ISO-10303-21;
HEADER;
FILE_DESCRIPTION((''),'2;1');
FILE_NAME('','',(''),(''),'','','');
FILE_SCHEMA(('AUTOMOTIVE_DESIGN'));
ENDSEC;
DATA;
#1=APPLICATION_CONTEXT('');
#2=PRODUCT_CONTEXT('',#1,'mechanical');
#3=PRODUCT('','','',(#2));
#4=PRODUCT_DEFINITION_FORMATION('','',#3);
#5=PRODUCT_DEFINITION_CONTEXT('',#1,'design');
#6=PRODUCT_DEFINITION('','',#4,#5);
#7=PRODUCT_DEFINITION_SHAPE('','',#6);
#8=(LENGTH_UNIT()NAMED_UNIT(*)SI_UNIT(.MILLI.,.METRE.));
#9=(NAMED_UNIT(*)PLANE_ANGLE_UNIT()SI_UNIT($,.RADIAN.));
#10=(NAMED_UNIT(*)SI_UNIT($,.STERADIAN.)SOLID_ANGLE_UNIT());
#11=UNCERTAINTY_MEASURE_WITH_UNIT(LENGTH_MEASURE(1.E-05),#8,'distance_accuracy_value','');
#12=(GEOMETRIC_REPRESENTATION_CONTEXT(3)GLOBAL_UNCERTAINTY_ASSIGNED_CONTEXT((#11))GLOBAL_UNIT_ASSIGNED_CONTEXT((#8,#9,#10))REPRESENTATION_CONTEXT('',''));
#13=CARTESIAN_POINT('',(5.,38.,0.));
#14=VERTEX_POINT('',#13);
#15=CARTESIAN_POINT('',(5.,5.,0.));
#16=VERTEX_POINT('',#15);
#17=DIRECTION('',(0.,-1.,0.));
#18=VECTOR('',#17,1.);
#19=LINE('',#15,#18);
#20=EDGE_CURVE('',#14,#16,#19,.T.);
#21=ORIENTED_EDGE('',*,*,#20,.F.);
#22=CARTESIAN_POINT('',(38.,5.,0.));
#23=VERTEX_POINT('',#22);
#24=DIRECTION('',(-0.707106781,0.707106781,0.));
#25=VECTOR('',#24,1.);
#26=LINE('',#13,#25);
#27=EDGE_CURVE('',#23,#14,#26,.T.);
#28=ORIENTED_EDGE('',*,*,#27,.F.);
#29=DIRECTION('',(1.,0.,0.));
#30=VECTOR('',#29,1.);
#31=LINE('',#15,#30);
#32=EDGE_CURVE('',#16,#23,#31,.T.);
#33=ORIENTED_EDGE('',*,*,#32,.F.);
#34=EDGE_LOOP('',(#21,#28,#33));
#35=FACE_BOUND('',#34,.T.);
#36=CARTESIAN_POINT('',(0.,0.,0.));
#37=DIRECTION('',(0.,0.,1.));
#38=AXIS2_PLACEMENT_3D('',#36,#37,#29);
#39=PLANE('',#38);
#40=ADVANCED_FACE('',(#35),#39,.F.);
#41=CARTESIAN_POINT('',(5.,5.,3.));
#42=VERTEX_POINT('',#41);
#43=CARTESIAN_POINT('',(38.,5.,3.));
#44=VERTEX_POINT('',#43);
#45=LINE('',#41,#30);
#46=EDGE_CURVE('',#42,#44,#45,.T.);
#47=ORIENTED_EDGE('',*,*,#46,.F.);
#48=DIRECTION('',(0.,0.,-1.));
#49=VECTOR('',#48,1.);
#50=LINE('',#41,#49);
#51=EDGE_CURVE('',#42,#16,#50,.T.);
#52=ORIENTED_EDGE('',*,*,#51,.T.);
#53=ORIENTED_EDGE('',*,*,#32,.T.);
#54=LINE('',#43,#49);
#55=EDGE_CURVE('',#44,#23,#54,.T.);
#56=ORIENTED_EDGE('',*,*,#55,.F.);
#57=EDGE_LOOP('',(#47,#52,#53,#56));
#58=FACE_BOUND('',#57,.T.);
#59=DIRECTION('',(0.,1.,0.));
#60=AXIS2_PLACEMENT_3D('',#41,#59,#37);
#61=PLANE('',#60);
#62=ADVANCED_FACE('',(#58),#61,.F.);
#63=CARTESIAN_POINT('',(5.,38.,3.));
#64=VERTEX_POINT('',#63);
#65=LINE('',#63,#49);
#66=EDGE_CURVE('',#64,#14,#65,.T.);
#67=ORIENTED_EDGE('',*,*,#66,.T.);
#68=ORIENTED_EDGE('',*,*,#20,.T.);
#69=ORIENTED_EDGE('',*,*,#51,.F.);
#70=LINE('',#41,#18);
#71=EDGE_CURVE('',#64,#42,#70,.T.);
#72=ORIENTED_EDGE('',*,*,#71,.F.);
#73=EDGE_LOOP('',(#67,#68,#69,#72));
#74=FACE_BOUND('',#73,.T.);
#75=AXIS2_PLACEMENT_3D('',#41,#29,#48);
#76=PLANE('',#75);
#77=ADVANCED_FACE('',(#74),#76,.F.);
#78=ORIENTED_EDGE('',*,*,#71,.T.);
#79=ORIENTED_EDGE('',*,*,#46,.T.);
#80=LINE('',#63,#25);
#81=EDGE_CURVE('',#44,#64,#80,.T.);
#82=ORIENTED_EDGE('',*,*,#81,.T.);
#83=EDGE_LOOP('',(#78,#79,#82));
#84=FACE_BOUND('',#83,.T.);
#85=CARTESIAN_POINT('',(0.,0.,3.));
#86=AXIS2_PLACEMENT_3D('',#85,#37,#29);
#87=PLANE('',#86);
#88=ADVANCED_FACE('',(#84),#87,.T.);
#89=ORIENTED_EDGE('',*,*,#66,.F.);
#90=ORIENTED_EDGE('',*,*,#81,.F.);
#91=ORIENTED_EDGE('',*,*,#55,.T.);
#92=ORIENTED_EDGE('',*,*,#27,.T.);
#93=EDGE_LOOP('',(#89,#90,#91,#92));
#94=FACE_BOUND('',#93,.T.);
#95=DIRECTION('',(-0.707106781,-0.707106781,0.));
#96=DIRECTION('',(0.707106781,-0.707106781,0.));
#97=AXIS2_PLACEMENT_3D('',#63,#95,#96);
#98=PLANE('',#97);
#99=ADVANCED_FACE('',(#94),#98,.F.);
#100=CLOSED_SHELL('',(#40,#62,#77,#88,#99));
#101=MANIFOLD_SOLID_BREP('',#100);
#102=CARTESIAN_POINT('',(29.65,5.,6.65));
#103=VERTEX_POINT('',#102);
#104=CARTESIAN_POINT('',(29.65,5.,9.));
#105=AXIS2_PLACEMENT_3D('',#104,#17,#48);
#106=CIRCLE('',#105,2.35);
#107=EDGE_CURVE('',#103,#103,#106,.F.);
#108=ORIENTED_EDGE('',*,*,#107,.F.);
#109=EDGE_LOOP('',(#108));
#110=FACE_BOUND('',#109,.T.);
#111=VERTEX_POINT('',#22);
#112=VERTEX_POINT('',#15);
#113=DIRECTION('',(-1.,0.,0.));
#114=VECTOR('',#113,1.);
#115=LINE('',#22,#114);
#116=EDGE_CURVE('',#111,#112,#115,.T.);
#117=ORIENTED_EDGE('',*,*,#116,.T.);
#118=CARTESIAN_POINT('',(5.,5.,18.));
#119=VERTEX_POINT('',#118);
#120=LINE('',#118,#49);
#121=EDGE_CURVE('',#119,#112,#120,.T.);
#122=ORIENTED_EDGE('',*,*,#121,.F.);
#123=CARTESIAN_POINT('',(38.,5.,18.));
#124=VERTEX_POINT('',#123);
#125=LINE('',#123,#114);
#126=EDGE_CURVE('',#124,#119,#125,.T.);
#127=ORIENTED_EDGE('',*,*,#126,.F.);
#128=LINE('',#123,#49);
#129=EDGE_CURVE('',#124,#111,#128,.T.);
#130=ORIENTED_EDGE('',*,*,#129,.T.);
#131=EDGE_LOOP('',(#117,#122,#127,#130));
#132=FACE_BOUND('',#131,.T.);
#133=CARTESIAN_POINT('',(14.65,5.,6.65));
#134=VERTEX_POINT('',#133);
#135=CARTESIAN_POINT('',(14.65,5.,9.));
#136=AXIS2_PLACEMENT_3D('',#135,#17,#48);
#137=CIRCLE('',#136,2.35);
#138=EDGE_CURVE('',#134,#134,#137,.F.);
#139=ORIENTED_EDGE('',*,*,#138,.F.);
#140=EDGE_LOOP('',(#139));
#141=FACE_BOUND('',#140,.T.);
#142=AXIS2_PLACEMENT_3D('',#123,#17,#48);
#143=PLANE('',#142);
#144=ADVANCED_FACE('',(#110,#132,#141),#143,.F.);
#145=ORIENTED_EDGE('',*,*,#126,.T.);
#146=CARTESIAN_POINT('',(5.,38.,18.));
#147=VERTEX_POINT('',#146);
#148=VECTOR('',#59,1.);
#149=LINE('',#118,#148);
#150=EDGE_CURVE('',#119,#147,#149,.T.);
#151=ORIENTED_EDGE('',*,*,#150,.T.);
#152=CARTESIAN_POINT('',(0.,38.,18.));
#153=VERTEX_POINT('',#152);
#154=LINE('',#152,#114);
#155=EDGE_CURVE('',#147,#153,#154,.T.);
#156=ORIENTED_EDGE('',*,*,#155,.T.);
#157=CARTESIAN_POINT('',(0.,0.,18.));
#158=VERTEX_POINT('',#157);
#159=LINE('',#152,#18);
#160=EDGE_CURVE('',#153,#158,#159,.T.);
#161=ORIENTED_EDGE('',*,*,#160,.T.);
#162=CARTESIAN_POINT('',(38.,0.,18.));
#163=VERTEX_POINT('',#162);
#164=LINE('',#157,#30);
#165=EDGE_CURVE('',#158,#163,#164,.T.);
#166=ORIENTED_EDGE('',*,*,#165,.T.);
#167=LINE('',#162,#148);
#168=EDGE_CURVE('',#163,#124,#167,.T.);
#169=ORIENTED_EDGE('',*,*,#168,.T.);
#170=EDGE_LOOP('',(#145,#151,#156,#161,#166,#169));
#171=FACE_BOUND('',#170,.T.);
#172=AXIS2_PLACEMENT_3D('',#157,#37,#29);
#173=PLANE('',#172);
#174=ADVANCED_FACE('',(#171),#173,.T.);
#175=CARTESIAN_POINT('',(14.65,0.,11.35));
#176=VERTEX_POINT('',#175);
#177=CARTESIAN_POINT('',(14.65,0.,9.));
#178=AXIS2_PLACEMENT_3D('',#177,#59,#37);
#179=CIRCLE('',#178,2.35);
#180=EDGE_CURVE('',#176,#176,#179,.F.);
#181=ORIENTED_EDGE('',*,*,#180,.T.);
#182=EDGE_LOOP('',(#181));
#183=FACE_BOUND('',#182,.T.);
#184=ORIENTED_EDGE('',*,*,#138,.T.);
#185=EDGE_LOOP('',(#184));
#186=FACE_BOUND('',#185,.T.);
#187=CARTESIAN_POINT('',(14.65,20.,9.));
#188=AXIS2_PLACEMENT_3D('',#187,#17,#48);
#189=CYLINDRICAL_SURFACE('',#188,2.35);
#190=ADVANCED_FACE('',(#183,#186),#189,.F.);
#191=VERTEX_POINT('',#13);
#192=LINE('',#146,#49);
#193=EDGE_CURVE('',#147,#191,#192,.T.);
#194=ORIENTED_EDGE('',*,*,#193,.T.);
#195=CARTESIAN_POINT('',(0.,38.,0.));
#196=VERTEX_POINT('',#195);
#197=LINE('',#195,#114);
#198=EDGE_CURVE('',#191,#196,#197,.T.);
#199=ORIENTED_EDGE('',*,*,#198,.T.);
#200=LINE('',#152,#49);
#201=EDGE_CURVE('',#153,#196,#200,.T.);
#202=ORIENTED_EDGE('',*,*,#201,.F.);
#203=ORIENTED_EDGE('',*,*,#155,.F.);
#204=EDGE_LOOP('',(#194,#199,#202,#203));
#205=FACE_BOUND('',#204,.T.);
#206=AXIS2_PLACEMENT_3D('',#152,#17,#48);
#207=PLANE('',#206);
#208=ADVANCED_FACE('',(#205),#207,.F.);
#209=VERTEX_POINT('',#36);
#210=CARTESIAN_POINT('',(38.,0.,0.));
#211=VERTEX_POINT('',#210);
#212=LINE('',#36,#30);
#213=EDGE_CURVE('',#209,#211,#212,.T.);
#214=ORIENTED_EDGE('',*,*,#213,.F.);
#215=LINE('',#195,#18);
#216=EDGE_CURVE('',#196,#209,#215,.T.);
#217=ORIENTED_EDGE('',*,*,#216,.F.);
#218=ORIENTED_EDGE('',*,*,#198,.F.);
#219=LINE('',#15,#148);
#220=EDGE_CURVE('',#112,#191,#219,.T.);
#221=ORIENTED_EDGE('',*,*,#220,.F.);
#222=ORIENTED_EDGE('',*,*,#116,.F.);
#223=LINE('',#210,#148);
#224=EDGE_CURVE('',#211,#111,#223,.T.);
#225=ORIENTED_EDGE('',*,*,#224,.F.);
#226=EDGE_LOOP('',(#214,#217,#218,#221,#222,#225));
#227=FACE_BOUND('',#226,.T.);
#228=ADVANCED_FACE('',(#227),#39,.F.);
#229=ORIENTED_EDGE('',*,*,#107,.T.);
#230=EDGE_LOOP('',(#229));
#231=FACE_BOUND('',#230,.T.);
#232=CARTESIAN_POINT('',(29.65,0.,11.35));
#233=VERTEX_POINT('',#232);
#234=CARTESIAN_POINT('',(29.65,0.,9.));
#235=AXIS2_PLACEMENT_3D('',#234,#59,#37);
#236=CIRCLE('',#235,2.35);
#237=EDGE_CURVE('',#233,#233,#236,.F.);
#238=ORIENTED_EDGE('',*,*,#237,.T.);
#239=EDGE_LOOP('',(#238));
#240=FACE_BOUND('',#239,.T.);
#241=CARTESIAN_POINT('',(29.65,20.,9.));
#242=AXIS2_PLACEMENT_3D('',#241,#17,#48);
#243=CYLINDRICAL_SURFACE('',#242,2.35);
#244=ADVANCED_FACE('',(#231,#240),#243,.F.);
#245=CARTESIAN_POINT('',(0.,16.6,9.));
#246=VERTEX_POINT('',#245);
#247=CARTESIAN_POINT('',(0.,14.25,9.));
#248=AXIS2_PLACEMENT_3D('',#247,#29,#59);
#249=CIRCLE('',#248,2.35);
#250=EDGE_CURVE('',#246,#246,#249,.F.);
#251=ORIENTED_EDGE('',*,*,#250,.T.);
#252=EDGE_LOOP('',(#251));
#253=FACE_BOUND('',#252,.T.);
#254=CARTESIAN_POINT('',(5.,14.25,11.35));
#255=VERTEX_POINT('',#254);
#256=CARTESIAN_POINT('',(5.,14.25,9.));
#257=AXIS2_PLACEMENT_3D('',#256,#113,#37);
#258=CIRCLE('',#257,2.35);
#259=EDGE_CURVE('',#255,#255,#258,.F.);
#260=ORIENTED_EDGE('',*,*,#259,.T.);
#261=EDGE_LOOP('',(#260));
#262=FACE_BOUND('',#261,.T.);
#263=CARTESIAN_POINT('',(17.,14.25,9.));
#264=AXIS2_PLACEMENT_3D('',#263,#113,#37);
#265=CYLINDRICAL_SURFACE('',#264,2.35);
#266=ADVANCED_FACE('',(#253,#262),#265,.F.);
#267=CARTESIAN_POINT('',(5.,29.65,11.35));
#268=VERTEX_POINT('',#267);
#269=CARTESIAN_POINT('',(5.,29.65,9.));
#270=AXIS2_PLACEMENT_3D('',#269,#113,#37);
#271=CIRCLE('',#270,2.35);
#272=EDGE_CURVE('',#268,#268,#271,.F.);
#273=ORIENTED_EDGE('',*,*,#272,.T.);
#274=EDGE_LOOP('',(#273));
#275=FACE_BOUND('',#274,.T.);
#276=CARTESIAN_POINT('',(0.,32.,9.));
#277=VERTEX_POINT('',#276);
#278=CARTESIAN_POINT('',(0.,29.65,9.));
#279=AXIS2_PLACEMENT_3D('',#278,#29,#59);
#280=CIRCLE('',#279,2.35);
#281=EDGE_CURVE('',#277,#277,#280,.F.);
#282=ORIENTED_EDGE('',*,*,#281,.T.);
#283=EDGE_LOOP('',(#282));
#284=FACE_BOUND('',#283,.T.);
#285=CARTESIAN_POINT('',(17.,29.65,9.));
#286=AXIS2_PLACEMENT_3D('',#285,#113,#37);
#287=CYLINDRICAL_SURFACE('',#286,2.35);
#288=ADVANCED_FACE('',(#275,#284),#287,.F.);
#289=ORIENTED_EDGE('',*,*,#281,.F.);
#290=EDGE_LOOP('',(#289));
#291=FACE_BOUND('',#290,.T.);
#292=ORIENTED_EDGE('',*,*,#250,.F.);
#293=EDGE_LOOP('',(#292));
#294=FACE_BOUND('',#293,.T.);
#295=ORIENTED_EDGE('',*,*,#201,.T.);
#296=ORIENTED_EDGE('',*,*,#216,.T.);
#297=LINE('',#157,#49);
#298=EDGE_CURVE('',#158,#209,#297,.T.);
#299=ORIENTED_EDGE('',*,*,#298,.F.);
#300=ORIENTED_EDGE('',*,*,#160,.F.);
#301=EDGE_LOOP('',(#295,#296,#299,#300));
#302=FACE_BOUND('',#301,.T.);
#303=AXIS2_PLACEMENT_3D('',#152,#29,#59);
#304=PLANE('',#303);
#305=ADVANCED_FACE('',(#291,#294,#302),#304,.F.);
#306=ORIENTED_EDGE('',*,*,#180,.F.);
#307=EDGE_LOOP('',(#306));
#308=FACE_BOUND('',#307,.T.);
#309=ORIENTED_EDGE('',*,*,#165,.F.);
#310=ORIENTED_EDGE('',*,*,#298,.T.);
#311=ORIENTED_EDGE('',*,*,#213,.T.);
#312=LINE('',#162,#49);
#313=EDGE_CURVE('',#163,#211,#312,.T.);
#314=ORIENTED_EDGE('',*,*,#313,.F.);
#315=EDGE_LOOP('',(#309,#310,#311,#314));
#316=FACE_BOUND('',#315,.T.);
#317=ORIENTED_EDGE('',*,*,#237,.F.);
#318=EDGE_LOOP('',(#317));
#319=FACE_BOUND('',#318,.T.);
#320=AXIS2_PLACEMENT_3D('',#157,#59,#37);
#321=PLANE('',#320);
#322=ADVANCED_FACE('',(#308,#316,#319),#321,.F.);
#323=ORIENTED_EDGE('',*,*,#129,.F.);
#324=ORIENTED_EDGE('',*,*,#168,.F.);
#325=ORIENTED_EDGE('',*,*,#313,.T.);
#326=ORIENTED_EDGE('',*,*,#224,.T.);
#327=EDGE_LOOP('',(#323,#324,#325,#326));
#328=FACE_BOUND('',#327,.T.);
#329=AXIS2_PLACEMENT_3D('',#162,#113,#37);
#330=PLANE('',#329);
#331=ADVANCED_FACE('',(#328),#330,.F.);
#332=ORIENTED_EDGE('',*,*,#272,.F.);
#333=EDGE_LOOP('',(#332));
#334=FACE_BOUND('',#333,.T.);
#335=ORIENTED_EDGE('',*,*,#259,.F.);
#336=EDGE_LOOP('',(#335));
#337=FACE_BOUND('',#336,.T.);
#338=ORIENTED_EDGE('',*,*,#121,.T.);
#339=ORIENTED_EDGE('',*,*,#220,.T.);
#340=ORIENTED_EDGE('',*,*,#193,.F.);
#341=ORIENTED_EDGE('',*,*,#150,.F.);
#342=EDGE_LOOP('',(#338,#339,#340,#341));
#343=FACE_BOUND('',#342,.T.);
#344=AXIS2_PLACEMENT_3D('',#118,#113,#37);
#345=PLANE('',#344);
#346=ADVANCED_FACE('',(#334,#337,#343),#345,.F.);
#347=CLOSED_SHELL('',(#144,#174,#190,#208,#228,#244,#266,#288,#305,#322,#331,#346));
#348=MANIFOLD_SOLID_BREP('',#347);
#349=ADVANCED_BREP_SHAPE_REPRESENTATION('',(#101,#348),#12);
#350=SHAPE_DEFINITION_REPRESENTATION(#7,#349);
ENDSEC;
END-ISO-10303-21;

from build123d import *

# Parameters (mm, degrees)
EXTRUDE_1_DEPTH          = 18
GUSSET_1_THICKNESS       = 3
SKETCH_4_R               = 2.35
CUT_EXTRUDE_1_DEPTH      = 12
CUT_EXTRUDE_1_DEPTH_BACK = 13
SKETCH_5_R               = 2.35
CUT_EXTRUDE_2_DEPTH      = 15
CUT_EXTRUDE_2_DEPTH_BACK = 12


with BuildPart() as part:
    # 草图1 → 凸台-拉伸1 (new body)
    with BuildSketch(Plane.XY):
        Polygon((0, 38), (0, 0), (38, 0), (38, 5), (5, 5), (5, 38), align=None)
    extrude(amount=EXTRUDE_1_DEPTH)

    # 草图4 → 切除-拉伸1 (cut, two sides)
    with BuildSketch(Plane(origin=(5, 0, 0), x_dir=(0, 0, -1), z_dir=(1, 0, 0))) as cut_extrude_1_sk:
        with Locations(Location((-9, 29.65, 0), (0, 0, 180))):
            Circle(SKETCH_4_R)
        with Locations(Location((-9, 14.25, 0), (0, 0, 180))):
            Circle(SKETCH_4_R)
    extrude(amount=CUT_EXTRUDE_1_DEPTH, mode=Mode.SUBTRACT)
    extrude(cut_extrude_1_sk.sketch, amount=-CUT_EXTRUDE_1_DEPTH_BACK, mode=Mode.SUBTRACT)

    # 草图5 → 切除-拉伸2 (cut, two sides)
    with BuildSketch(Plane(origin=(0, 5, 0), x_dir=(1, 0, 0), z_dir=(0, 1, 0))) as cut_extrude_2_sk:
        with Locations(Location((29.65, -9, 0), (0, 0, 90))):
            Circle(SKETCH_5_R)
        with Locations(Location((14.65, -9, 0), (0, 0, 90))):
            Circle(SKETCH_5_R)
    extrude(amount=CUT_EXTRUDE_2_DEPTH, mode=Mode.SUBTRACT)
    extrude(cut_extrude_2_sk.sketch, amount=-CUT_EXTRUDE_2_DEPTH_BACK, mode=Mode.SUBTRACT)


with BuildPart() as body_2:
    # Gusset 1: a gusset: a plate 3.0 thick in the corner of two members, its outline drawn in place
    gusset_1_outline = Wire([Line((5, 5, 0), (5, 38, 0)), Line((5, 38, 0), (38, 5, 0)), Line((38, 5, 0), (5, 5, 0))])
    add(extrude(Face(gusset_1_outline), amount=GUSSET_1_THICKNESS, dir=(0, 0, 1)))


solid = Compound([part.part, body_2.part])
